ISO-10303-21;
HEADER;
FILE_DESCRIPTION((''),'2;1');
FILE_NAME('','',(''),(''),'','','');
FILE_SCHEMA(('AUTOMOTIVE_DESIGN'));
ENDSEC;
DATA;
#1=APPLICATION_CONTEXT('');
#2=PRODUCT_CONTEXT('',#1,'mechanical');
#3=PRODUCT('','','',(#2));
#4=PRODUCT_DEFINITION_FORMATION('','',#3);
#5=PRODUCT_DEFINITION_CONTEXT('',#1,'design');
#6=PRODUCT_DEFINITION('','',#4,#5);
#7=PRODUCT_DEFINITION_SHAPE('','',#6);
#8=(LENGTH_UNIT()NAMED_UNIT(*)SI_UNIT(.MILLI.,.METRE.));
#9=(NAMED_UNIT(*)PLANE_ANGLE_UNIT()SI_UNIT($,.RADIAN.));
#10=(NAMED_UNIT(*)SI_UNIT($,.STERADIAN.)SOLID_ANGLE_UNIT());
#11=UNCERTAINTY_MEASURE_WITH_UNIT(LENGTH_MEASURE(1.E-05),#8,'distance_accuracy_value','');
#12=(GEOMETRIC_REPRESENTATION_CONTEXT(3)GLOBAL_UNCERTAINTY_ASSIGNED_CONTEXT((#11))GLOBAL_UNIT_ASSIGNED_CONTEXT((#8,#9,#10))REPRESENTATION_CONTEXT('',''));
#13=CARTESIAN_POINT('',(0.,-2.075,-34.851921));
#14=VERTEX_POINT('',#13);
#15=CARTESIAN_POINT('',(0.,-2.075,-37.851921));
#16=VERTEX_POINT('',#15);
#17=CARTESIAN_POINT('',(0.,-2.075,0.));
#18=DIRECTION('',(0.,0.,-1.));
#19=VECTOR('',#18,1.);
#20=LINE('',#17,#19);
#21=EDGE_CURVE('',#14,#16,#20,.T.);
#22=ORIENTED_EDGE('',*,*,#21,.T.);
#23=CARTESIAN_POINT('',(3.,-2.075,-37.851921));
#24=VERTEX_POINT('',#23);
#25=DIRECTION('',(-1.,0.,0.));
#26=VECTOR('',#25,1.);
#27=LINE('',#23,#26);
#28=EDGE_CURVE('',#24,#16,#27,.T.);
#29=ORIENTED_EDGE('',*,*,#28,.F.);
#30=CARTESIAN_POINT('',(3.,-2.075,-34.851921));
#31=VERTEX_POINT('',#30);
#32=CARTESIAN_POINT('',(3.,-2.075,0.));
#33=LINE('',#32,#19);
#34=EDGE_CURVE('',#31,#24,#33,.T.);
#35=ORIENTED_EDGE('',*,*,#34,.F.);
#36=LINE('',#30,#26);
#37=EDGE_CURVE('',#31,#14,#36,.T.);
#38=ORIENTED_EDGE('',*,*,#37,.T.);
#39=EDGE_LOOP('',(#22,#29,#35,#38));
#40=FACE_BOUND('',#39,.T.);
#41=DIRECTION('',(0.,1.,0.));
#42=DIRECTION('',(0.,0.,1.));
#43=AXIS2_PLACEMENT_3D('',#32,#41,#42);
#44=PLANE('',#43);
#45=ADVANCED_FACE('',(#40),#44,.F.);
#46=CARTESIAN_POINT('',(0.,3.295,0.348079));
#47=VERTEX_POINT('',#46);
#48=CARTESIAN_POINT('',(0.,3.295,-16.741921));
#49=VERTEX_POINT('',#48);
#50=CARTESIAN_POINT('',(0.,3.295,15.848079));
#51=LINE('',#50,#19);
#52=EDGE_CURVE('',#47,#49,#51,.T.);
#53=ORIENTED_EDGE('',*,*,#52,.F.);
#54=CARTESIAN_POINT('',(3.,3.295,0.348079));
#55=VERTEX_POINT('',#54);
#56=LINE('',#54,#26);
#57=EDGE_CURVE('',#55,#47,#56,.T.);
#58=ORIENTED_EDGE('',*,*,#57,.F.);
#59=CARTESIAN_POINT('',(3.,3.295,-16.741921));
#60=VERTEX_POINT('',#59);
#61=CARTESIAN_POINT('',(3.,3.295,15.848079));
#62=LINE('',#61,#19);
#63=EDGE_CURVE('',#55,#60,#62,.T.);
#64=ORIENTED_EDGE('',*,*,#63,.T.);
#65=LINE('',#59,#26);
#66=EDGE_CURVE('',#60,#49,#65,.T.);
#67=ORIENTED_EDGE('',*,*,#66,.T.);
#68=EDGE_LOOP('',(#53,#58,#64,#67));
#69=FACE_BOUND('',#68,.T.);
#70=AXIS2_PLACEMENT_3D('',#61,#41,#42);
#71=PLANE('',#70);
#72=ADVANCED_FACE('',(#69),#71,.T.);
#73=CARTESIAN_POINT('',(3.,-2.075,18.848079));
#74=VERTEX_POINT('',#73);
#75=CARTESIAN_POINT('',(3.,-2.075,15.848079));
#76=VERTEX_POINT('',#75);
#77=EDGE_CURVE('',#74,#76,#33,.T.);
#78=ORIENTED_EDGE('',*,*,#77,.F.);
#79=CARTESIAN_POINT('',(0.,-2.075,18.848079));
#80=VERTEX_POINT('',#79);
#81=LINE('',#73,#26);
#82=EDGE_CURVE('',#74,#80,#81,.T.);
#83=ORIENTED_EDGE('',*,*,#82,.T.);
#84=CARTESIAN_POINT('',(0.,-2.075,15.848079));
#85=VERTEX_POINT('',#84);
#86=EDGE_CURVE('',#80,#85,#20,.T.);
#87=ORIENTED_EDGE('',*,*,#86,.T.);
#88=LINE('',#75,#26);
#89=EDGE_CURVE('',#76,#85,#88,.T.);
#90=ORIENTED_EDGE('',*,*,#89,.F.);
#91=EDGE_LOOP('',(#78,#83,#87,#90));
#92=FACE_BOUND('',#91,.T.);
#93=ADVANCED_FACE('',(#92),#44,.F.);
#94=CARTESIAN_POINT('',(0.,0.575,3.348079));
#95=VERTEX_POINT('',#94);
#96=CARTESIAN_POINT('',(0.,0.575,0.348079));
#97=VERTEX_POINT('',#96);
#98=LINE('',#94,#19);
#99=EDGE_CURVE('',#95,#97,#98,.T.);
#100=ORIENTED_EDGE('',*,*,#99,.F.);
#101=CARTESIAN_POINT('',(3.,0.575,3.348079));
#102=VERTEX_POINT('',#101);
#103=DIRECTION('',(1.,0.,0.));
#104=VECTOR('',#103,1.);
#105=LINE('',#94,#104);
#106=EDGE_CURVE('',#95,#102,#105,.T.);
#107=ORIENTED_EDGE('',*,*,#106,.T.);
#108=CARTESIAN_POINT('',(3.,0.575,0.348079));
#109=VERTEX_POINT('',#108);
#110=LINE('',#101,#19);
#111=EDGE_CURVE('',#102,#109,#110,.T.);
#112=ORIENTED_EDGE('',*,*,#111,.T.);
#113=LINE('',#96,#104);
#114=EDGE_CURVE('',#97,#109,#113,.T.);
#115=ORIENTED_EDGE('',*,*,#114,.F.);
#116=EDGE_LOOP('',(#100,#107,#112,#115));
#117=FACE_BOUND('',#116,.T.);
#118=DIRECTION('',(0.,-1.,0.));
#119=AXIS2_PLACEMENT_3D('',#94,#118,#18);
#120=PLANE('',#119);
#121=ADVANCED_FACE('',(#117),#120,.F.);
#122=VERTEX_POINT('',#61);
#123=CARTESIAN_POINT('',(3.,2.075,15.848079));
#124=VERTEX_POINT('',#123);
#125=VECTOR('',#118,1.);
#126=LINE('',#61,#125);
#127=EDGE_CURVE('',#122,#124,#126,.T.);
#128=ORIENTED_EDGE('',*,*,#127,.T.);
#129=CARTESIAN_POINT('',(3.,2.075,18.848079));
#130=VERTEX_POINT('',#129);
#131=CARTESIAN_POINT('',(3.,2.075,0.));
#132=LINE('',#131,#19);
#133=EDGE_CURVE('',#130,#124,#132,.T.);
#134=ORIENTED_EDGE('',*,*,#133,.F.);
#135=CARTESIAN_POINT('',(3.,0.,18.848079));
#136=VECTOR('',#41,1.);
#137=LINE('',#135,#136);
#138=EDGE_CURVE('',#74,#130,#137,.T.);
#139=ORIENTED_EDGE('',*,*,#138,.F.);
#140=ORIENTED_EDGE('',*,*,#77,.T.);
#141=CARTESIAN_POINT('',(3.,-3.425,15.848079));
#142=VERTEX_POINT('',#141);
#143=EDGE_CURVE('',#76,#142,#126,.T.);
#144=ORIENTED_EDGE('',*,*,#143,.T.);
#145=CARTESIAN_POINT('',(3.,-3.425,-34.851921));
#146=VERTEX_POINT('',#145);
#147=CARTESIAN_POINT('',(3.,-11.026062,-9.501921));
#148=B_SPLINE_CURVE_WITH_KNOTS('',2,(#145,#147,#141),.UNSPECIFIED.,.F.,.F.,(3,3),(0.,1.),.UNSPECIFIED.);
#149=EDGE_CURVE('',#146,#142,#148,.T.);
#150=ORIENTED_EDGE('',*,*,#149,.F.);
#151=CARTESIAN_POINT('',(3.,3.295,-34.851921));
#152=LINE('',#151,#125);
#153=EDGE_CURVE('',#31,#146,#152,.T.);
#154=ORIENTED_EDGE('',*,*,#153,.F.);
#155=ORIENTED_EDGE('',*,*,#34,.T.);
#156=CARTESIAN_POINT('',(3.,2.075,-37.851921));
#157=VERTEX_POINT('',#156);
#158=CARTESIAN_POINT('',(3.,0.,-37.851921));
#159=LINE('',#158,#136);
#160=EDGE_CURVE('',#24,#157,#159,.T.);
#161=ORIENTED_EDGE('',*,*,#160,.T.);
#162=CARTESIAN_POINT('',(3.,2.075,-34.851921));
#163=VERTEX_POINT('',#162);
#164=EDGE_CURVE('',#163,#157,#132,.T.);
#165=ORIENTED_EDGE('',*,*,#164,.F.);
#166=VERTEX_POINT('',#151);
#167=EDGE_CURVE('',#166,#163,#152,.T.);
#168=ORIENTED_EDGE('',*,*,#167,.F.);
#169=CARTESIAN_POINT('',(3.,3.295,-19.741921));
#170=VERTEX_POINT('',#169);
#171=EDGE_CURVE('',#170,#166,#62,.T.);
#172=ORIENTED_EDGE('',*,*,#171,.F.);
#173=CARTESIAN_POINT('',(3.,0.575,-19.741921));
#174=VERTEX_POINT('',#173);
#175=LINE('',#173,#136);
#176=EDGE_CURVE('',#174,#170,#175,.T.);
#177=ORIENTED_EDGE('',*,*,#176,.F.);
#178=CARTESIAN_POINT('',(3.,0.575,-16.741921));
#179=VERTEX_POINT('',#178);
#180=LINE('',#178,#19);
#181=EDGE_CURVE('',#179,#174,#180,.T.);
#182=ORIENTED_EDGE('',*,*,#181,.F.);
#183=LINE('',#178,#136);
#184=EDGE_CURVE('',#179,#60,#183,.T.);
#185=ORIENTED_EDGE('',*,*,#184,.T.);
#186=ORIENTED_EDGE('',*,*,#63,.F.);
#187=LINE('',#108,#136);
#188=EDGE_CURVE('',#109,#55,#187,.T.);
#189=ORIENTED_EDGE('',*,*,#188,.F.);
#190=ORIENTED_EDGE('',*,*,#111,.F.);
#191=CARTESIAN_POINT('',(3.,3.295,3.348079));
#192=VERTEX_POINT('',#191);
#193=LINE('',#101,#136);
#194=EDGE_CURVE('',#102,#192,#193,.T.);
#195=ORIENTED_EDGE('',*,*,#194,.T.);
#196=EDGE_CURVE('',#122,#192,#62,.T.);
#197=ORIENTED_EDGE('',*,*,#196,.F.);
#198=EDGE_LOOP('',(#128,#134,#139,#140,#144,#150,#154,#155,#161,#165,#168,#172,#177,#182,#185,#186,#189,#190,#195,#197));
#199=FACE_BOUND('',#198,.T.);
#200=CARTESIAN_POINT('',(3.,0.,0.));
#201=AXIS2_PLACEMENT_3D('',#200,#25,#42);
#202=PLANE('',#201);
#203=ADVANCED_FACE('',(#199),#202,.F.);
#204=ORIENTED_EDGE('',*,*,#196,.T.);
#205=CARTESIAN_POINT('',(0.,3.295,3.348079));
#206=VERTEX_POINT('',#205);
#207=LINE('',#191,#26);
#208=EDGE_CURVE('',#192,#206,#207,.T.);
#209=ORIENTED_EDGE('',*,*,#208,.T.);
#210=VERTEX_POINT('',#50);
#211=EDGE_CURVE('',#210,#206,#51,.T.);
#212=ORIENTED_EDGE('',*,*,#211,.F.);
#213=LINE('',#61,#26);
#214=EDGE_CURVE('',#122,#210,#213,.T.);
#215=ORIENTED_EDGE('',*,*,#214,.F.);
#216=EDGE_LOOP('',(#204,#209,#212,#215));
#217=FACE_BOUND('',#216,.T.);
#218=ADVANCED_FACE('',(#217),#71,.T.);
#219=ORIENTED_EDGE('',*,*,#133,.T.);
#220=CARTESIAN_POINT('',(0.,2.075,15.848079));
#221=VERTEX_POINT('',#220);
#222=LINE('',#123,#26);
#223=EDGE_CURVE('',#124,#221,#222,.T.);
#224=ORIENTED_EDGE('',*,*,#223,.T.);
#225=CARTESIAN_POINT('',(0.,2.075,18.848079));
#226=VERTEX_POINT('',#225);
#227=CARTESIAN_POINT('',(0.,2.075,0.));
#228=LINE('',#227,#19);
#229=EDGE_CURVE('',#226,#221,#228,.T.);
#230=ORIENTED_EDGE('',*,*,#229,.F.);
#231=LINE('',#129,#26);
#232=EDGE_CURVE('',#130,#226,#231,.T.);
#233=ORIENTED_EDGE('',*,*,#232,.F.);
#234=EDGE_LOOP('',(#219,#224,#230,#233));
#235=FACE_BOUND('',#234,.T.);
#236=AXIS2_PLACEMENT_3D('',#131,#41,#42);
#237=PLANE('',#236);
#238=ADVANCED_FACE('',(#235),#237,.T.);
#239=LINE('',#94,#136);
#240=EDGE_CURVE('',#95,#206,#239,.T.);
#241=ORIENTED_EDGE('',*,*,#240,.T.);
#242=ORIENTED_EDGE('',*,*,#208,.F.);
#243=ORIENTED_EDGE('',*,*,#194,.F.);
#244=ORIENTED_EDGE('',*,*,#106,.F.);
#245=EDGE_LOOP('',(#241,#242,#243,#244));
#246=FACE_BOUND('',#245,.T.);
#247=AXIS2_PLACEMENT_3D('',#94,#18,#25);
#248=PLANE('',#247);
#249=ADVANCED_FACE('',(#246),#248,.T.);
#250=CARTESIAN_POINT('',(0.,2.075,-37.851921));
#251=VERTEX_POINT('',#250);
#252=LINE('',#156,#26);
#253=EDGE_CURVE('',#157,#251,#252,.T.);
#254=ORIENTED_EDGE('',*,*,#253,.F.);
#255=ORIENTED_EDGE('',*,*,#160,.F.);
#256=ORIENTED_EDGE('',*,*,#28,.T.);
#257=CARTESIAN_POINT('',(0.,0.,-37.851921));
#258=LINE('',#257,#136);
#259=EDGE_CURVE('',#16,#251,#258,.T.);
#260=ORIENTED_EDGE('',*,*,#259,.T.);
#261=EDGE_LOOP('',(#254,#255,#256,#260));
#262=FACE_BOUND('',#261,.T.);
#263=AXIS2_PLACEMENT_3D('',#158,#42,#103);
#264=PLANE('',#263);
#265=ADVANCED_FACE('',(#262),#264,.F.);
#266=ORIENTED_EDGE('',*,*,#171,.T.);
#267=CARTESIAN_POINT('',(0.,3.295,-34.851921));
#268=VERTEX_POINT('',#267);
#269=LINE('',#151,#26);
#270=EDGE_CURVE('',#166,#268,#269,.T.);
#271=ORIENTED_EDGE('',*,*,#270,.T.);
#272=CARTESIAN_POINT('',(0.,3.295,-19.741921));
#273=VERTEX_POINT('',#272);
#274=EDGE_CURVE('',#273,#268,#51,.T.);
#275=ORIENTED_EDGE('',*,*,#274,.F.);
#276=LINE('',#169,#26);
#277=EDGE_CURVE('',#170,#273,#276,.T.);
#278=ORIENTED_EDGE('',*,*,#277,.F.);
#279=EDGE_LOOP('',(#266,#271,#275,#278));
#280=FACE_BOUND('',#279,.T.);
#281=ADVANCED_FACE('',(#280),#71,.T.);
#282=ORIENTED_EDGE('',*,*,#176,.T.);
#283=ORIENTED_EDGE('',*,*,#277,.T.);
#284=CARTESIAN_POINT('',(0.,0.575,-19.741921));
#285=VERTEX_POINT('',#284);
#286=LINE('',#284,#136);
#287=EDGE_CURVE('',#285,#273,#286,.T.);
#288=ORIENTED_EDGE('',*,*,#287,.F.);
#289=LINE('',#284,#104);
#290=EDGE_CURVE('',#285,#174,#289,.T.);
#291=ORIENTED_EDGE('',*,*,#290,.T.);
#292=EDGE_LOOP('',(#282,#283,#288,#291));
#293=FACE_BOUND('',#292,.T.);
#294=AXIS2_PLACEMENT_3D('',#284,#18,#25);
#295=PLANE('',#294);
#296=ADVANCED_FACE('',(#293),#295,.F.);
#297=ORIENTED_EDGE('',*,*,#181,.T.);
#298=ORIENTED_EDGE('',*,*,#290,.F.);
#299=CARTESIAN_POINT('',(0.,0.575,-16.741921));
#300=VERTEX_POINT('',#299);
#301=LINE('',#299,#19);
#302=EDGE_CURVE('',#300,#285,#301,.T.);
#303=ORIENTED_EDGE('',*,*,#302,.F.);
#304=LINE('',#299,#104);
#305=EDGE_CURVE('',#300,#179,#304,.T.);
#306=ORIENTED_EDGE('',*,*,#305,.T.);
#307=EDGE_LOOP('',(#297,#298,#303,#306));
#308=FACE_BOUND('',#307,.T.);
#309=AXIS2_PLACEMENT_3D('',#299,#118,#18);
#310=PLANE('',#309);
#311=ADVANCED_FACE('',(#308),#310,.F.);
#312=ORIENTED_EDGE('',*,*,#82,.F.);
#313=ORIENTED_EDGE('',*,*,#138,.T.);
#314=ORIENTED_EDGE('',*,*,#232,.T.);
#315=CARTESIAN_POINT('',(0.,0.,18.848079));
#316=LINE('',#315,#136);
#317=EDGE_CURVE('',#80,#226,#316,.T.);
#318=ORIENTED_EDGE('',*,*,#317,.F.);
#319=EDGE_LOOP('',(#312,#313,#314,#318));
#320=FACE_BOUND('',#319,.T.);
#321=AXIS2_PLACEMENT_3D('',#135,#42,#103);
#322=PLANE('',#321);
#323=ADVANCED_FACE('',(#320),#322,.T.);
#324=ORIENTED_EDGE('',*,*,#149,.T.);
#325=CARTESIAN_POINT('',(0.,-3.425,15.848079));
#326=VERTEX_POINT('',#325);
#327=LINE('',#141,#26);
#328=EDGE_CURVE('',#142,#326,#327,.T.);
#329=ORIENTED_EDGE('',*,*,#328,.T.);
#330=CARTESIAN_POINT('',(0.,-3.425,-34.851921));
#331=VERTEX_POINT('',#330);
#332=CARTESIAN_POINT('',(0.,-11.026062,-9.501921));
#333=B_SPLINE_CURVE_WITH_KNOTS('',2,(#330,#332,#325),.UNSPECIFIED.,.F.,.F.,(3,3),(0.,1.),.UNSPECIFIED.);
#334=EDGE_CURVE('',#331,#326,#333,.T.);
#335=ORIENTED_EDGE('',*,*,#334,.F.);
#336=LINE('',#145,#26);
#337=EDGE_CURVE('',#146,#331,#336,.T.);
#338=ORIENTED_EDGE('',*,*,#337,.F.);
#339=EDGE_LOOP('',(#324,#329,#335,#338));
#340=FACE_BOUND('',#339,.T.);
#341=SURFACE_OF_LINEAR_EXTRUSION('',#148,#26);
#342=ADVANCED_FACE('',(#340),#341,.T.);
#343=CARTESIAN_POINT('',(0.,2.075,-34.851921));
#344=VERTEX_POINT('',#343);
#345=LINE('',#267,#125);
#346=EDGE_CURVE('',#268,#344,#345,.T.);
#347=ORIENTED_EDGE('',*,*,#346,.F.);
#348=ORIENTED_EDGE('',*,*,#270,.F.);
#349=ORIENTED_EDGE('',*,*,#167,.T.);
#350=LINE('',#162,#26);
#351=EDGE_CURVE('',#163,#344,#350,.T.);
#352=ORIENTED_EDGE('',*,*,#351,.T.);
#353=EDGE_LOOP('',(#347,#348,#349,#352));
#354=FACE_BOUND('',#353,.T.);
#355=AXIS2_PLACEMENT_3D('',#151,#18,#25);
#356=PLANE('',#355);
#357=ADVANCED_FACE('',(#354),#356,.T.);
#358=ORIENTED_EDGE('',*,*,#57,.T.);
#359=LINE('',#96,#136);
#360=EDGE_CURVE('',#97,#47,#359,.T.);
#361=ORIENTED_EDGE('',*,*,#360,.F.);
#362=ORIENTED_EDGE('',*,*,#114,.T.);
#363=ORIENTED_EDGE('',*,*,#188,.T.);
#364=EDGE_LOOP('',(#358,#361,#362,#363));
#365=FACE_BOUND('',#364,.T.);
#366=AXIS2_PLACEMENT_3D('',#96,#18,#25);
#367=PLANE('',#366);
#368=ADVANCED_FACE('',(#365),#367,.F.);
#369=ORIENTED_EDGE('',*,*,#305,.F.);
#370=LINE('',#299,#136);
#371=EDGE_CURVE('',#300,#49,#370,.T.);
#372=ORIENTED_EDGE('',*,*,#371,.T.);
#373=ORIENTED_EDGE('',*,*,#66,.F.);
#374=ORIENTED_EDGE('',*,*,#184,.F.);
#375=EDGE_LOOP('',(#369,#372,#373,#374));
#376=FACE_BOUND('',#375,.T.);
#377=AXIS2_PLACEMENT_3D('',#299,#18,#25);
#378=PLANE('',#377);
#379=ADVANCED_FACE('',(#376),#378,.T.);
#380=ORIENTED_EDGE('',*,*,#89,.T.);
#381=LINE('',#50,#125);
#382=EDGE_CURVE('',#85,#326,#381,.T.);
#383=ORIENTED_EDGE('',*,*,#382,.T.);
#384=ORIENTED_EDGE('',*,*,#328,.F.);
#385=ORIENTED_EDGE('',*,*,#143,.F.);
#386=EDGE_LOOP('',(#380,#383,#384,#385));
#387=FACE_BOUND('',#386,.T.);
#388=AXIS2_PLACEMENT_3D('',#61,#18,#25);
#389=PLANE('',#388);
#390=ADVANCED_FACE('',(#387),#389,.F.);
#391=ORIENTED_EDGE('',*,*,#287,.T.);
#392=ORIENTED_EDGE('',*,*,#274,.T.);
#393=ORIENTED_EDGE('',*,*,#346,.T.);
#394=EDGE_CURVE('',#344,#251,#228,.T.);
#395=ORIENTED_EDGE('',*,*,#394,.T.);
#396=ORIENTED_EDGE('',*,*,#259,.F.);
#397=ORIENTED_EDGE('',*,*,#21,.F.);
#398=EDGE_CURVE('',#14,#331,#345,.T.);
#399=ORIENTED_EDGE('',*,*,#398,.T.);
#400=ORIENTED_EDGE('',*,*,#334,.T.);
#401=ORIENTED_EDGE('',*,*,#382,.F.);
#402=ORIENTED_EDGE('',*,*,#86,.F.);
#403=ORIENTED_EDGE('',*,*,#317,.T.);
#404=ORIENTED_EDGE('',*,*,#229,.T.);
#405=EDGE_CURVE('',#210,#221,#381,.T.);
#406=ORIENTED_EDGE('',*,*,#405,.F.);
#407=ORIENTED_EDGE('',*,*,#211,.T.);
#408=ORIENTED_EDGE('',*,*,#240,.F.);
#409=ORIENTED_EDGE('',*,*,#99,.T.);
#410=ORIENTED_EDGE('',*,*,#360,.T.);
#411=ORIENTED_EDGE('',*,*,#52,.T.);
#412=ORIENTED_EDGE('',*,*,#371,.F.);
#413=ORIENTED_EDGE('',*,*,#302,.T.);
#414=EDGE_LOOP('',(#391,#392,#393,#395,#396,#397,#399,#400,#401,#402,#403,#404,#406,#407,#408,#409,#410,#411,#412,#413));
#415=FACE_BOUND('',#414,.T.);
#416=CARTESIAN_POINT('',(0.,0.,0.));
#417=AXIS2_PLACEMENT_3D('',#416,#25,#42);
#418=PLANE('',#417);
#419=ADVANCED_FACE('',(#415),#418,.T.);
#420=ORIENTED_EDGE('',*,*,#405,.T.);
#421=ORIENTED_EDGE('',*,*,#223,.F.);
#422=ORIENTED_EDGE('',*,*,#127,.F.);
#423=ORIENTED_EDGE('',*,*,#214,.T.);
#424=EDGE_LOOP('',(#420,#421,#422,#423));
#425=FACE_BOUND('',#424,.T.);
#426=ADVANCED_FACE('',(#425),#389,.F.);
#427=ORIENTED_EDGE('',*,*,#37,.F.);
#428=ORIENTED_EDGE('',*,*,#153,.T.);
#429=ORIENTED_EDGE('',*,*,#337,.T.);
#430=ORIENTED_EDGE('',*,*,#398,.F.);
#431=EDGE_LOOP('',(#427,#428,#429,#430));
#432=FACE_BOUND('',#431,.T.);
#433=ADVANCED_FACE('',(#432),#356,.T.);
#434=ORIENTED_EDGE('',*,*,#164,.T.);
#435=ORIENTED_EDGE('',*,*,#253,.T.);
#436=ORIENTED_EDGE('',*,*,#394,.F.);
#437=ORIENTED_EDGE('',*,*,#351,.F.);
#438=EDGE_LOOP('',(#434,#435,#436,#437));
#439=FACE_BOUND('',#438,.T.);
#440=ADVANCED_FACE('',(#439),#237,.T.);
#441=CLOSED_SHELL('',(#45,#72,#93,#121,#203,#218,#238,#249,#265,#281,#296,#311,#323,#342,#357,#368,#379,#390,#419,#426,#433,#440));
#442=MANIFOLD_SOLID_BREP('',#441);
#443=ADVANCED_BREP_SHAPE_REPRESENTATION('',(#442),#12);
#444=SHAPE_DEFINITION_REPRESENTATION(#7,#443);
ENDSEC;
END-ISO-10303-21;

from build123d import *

# Parameters (mm, degrees)
SKICA3_W                 = 50.7
SKICA3_H                 = 6.72
P_IDAT_VYSUNUT_M1_DEPTH  = 3
SKICA3_3_W               = 3
SKICA3_3_H               = 4.15
P_IDAT_VYSUNUT_M2_DEPTH  = 3
SKICA3_4_W               = 3
SKICA3_4_H               = 4.15
P_IDAT_VYSUNUT_M3_DEPTH  = 3
P_IDAT_VYSUNUT_M4_DEPTH  = 3
SKICA5_W                 = 3
SKICA5_H                 = 5.420631859
ODEBRAT_VYSUNUT_M1_DEPTH = 3


with BuildPart() as part:
    # Skica3 → Přidat vysunutím1 (new body)
    with BuildSketch(Plane(origin=(0, 0, 0), x_dir=(0, 0, -1), z_dir=(1, 0, 0))):
        with Locations((9.501921455, -0.065)):
            Rectangle(SKICA3_W, SKICA3_H)
    extrude(amount=P_IDAT_VYSUNUT_M1_DEPTH)

    # Skica3<3> → Přidat vysunutím2 (add)
    with BuildSketch(Plane(origin=(0, 0, 0), x_dir=(0, 0, -1), z_dir=(1, 0, 0))):
        with Locations((36.351921455, 0)):
            Rectangle(SKICA3_3_W, SKICA3_3_H)
    extrude(amount=P_IDAT_VYSUNUT_M2_DEPTH)

    # Skica3<4> → Přidat vysunutím3 (add)
    with BuildSketch(Plane(origin=(0, 0, 0), x_dir=(0, 0, -1), z_dir=(1, 0, 0))):
        with Locations((-17.348078545, 0)):
            Rectangle(SKICA3_4_W, SKICA3_4_H)
    extrude(amount=P_IDAT_VYSUNUT_M3_DEPTH)

    # Skica3<6> → Přidat vysunutím4 (add)
    with BuildSketch(Plane(origin=(0, 0, 0), x_dir=(0, 0, -1), z_dir=(1, 0, 0))):
        with BuildLine():
            Line((34.851921455, -3.425), (-15.848078545, -3.425))
            add(Edge.make_bspline(
                [(34.851921455, -3.425), (9.501921455, -11.026061801), (-15.848078545, -3.425)],
                knots=[0, 0, 0, 1, 1, 1], degree=2))
        make_face()
    extrude(amount=P_IDAT_VYSUNUT_M4_DEPTH)

    # Skica5 → Odebrat vysunutím1 (cut)
    with BuildSketch(Plane(origin=(3, 0, 0), x_dir=(0, 0, -1), z_dir=(1, 0, 0))):
        with Locations((-1.848078545, 3.28531593)):
            Rectangle(SKICA5_W, SKICA5_H)
        with Locations((18.241921455, 3.28531593)):
            Rectangle(SKICA5_W, SKICA5_H)
    extrude(amount=-ODEBRAT_VYSUNUT_M1_DEPTH, mode=Mode.SUBTRACT)


solid = part.part
